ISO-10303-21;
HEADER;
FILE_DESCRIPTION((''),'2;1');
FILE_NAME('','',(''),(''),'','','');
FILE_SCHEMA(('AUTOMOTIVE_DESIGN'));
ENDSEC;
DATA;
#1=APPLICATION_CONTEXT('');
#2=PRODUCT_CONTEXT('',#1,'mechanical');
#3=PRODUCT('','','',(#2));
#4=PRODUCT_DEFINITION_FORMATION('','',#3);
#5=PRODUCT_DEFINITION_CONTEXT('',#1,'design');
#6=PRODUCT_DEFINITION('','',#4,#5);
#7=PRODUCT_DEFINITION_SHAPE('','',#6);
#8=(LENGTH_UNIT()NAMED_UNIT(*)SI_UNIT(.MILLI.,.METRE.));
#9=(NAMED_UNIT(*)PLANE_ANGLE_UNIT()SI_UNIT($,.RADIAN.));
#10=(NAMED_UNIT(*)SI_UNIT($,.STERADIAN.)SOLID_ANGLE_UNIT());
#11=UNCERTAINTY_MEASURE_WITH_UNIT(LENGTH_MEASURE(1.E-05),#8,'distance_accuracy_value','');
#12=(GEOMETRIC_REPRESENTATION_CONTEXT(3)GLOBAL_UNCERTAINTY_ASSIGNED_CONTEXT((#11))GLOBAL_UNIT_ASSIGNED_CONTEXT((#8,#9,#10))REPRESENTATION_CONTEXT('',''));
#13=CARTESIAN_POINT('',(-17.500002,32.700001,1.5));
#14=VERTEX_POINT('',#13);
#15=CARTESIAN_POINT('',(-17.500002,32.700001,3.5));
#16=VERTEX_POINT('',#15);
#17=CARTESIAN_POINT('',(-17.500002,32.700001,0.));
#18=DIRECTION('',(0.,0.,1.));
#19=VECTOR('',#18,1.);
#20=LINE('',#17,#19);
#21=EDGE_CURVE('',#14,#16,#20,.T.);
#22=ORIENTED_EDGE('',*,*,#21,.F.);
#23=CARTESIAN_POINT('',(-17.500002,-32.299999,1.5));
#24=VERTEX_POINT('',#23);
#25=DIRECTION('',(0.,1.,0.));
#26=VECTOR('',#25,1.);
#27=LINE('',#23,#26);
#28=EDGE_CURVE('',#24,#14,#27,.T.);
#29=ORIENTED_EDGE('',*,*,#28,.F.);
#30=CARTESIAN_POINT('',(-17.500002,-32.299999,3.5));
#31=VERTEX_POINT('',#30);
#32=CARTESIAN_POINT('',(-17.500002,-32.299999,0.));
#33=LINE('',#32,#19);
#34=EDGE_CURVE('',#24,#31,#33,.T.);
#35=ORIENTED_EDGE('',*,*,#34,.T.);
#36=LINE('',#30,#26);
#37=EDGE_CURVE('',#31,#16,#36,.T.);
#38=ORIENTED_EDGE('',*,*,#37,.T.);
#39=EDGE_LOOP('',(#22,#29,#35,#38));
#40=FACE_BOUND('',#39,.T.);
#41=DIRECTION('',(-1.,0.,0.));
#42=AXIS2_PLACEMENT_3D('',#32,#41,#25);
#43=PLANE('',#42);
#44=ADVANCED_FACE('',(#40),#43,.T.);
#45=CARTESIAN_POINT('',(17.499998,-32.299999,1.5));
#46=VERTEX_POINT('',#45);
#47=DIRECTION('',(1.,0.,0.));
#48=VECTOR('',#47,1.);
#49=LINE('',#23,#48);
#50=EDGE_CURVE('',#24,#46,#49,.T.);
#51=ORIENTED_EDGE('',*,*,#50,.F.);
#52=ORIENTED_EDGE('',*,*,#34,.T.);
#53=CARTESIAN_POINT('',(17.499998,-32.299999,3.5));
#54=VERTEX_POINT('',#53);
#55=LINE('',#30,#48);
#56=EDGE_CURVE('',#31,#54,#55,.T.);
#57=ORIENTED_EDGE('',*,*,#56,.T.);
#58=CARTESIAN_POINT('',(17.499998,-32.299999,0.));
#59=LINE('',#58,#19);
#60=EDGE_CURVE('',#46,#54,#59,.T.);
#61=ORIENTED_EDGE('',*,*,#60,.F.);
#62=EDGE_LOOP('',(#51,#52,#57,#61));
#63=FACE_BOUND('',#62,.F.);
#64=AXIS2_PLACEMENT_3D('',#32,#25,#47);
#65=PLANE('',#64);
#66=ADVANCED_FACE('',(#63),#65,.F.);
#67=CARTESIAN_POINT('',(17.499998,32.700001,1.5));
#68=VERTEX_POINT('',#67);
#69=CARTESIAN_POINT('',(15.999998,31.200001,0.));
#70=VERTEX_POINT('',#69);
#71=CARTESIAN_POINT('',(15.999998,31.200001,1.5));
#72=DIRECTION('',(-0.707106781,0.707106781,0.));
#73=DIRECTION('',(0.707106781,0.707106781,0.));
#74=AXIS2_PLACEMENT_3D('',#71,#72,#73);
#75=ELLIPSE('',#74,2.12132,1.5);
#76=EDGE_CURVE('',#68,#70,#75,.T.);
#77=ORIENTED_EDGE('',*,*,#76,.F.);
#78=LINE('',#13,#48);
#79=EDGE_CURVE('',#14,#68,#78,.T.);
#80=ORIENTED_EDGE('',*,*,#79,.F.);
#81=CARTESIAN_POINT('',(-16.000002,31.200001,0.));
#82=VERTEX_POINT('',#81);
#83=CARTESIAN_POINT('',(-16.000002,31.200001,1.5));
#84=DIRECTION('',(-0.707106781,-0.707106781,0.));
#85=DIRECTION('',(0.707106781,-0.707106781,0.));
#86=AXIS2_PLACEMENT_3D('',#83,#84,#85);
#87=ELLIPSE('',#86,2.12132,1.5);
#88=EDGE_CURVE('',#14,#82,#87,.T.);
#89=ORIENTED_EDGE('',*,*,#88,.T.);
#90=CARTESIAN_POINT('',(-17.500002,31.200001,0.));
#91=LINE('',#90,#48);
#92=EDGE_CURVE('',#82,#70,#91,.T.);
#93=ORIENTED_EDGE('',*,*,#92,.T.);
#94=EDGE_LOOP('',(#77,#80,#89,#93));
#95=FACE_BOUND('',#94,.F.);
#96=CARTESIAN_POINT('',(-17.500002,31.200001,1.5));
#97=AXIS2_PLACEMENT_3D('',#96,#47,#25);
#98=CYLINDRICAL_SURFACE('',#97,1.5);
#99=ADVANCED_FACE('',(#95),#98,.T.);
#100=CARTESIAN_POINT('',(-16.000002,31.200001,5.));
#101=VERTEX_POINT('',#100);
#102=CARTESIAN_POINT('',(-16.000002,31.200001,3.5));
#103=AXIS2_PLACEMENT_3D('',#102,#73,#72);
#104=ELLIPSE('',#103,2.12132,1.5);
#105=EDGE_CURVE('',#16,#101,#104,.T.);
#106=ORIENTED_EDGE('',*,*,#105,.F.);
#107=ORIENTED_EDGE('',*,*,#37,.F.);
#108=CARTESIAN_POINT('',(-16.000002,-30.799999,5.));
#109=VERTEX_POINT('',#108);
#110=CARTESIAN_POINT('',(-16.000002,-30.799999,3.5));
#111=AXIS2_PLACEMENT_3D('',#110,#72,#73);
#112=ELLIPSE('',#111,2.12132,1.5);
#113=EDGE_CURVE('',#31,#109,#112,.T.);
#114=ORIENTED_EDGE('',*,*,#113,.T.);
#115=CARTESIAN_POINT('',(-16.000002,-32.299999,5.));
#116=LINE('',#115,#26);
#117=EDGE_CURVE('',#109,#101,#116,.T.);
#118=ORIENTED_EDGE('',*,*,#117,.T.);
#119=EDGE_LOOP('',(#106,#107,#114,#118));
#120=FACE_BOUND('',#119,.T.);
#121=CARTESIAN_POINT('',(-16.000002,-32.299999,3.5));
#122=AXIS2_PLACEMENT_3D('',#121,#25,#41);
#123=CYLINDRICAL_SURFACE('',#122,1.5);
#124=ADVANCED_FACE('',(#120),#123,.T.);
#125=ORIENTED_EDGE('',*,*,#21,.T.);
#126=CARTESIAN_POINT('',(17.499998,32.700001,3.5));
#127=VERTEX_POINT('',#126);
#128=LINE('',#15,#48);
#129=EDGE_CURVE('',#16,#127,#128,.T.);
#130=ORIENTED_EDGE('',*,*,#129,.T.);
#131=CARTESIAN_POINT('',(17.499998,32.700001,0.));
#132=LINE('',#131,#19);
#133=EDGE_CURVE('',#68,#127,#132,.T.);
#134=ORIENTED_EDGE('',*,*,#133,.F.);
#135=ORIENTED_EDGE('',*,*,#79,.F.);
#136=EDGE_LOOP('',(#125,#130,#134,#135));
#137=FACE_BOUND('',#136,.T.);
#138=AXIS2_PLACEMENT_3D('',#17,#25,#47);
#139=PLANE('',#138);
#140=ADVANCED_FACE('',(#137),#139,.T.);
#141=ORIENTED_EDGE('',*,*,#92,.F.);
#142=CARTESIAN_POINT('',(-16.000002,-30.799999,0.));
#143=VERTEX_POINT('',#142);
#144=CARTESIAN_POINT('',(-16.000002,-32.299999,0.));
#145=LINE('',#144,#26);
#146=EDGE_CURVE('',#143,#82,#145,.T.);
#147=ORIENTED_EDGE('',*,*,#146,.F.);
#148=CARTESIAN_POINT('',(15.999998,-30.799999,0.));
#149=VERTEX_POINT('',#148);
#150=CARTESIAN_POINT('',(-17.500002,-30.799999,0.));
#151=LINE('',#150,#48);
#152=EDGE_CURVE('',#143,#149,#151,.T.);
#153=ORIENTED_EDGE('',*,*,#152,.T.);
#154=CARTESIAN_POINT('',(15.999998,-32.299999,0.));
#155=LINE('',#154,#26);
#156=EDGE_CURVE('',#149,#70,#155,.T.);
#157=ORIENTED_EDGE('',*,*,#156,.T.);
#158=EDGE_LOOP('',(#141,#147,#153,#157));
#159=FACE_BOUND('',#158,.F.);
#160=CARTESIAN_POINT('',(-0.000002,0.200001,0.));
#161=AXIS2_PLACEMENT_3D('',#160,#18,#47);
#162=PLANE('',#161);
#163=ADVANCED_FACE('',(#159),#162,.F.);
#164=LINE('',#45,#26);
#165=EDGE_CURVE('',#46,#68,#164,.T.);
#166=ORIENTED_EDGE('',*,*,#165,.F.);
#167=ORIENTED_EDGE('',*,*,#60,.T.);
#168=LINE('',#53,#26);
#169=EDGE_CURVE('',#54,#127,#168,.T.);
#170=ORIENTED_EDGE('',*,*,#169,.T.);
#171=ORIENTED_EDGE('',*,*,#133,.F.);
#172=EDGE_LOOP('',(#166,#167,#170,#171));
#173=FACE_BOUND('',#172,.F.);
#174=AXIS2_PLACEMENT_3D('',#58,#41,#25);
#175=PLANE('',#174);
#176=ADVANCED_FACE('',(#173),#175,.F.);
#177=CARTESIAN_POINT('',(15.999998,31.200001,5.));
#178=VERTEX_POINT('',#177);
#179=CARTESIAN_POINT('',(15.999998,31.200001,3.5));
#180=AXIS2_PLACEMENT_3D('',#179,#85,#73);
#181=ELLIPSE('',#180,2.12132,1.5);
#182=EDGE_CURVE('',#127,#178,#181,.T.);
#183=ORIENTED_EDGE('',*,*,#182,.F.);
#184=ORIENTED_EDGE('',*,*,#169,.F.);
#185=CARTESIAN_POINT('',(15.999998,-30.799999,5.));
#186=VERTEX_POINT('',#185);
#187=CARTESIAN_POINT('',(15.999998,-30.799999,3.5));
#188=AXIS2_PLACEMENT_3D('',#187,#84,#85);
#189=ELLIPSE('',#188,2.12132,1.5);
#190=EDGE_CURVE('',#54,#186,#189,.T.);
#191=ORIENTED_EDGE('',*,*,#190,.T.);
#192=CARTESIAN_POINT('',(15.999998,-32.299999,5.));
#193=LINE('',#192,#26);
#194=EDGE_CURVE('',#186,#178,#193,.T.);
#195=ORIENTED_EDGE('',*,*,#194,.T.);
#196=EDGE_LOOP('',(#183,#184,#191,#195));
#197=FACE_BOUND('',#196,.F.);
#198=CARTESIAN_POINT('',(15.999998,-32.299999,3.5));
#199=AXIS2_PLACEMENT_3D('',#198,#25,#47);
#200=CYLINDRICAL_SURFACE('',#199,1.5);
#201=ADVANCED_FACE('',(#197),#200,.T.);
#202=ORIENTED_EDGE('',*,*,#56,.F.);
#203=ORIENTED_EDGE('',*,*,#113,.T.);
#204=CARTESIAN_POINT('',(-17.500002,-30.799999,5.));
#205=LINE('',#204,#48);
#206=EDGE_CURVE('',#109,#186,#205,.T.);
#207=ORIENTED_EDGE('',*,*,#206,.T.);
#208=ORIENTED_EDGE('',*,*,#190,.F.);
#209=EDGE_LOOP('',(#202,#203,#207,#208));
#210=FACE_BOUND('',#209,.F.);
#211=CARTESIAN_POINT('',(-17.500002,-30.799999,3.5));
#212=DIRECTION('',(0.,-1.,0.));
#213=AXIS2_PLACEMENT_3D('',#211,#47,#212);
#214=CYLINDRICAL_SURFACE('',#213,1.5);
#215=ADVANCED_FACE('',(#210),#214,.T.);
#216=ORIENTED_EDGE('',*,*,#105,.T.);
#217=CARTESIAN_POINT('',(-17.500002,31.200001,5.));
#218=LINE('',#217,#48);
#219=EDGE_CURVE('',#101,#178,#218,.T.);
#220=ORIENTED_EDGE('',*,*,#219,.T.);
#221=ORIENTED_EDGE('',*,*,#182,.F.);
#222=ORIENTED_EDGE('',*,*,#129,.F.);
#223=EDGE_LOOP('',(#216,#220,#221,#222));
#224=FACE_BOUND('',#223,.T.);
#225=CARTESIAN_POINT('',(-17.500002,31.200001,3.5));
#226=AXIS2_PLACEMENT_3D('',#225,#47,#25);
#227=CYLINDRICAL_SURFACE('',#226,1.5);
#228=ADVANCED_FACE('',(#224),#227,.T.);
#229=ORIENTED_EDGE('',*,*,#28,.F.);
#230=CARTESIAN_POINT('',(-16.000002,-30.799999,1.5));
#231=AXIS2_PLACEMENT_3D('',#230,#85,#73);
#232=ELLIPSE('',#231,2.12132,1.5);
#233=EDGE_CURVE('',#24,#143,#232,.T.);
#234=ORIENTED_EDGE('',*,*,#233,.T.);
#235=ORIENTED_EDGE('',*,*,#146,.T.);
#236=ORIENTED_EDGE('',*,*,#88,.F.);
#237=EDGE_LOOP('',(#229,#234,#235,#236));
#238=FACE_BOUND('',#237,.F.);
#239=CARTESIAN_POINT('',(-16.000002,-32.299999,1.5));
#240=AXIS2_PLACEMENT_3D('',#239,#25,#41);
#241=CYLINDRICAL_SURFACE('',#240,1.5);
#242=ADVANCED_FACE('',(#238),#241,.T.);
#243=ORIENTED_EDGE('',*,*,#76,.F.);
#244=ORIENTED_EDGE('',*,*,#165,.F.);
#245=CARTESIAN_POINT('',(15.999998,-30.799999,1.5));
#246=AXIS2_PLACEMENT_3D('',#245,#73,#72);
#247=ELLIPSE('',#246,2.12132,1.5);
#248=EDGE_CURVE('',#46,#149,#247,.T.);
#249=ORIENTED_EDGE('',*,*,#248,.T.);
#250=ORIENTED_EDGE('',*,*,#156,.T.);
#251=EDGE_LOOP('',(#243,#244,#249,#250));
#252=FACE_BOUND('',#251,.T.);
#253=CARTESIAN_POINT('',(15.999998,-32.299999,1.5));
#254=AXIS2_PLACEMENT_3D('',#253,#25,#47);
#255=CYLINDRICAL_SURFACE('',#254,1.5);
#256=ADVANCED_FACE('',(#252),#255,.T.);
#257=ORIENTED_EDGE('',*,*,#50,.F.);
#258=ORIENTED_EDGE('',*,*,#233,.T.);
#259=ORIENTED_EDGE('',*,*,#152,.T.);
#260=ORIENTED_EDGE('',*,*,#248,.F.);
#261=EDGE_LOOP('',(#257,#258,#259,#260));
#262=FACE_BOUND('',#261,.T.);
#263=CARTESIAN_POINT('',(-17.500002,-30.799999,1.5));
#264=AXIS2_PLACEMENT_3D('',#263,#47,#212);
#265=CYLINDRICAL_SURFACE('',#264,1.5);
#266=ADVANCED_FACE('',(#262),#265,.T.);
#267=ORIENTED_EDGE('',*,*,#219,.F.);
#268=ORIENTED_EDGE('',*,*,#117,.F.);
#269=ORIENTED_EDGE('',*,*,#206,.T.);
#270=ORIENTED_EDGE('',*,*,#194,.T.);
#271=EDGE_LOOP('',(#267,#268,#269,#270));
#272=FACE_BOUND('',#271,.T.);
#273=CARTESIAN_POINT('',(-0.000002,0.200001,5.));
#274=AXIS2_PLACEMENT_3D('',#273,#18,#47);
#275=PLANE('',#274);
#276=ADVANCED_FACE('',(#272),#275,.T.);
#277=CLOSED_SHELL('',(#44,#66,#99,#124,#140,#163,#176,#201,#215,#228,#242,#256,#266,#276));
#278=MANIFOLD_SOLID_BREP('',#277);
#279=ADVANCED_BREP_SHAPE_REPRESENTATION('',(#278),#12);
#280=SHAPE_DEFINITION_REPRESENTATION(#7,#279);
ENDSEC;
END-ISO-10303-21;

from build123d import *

# Parameters (mm, degrees)
F0_W     = 35
F0_H     = 65
F1_DEPTH = 5
F2_R     = 1.5


with BuildPart() as f1:
    # F0 (on Top) → F1 (new body)
    with BuildSketch(Plane.XY):
        with Locations((-2e-06, 0.200001)):
            Rectangle(F0_W, F0_H)
    extrude(amount=F1_DEPTH)

    # F2
    f2_edges = [f1.edges().sort_by_distance(p)[0] for p in [
        (-17.500002, 0.200001, 5),
        (-2e-06, -32.299999, 5),
        (17.499998, 0.200001, 5),
        (-2e-06, 32.700001, 5),
        (17.499998, 0.200001, 0),
        (-2e-06, 32.700001, 0),
        (-17.500002, 0.200001, 0),
        (-2e-06, -32.299999, 0),
    ]]
    fillet(f2_edges, radius=F2_R)


solid = f1.part
